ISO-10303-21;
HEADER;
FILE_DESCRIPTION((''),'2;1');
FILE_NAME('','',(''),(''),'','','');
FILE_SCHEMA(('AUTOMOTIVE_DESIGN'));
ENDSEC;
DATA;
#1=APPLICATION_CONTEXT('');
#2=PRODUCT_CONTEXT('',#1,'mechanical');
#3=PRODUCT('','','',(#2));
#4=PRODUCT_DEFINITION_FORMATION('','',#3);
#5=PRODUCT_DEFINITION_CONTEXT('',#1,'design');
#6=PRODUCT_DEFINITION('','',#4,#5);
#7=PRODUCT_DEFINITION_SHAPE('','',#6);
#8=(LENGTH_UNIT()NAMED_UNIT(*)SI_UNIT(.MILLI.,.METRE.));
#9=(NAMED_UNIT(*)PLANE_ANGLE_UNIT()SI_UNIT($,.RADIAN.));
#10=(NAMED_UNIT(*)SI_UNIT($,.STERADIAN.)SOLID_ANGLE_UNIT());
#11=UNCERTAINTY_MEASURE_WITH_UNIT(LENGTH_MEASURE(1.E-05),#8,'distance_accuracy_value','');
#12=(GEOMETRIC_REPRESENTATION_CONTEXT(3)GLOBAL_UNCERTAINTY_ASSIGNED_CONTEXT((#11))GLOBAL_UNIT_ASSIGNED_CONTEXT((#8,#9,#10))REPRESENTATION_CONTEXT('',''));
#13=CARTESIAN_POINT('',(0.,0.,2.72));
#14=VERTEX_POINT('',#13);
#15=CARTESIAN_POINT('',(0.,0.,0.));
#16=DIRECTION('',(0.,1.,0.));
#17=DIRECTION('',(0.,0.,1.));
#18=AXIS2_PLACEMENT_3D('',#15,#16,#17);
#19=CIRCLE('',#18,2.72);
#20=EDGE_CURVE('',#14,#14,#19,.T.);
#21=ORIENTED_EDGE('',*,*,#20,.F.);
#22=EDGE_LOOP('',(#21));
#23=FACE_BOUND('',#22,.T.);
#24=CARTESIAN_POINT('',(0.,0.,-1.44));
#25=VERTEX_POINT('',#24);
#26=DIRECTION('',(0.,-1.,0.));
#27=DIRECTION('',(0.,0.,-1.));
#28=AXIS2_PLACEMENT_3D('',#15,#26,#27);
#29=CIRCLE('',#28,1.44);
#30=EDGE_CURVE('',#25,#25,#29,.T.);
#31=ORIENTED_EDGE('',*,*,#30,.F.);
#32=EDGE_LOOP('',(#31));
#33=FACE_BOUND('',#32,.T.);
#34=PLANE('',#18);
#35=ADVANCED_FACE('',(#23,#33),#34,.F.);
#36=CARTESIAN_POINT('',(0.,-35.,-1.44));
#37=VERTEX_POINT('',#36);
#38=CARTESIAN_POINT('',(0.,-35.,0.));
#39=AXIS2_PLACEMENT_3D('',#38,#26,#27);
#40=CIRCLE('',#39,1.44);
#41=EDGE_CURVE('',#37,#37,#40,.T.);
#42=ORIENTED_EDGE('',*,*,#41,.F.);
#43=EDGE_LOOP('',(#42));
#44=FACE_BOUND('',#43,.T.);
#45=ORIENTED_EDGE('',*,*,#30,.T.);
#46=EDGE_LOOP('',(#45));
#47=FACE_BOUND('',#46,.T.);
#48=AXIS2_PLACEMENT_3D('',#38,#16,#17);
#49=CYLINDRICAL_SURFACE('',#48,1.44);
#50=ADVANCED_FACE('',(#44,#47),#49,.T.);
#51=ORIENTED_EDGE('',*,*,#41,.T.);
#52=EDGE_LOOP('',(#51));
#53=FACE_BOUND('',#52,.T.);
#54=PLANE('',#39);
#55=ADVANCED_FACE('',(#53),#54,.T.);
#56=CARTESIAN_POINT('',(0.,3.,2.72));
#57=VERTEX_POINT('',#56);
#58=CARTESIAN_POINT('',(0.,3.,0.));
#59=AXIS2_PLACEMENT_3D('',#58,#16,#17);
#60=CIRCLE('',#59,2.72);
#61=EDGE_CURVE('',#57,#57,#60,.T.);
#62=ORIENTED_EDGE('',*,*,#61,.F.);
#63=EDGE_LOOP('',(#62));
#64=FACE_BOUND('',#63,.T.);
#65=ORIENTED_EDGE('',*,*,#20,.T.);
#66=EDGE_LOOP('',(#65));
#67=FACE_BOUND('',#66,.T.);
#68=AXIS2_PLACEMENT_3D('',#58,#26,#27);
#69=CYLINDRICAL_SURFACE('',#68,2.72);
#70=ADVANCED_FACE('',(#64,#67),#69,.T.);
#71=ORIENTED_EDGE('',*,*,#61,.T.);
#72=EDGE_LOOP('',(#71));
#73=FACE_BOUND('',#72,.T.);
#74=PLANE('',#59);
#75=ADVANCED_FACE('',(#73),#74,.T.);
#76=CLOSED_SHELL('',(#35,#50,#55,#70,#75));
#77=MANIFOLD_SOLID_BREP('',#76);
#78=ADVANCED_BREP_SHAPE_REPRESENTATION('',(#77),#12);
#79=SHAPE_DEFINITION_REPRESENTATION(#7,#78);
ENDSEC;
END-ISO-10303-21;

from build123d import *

# Parameters (mm, degrees)
SKETCH1_R           = 2.72
BOSS_EXTRUDE1_DEPTH = 3
SKETCH2_R           = 1.44
BOSS_EXTRUDE2_DEPTH = 35


with BuildPart() as part:
    # Sketch1 → Boss-Extrude1 (new body)
    with BuildSketch(Plane(origin=(0, 0, 0), x_dir=(1, 0, 0), z_dir=(0, 1, 0))):
        Circle(SKETCH1_R)
    extrude(amount=BOSS_EXTRUDE1_DEPTH)

    # Sketch2 → Boss-Extrude2 (add)
    with BuildSketch(Plane.XZ):
        Circle(SKETCH2_R)
    extrude(amount=BOSS_EXTRUDE2_DEPTH)


solid = part.part
